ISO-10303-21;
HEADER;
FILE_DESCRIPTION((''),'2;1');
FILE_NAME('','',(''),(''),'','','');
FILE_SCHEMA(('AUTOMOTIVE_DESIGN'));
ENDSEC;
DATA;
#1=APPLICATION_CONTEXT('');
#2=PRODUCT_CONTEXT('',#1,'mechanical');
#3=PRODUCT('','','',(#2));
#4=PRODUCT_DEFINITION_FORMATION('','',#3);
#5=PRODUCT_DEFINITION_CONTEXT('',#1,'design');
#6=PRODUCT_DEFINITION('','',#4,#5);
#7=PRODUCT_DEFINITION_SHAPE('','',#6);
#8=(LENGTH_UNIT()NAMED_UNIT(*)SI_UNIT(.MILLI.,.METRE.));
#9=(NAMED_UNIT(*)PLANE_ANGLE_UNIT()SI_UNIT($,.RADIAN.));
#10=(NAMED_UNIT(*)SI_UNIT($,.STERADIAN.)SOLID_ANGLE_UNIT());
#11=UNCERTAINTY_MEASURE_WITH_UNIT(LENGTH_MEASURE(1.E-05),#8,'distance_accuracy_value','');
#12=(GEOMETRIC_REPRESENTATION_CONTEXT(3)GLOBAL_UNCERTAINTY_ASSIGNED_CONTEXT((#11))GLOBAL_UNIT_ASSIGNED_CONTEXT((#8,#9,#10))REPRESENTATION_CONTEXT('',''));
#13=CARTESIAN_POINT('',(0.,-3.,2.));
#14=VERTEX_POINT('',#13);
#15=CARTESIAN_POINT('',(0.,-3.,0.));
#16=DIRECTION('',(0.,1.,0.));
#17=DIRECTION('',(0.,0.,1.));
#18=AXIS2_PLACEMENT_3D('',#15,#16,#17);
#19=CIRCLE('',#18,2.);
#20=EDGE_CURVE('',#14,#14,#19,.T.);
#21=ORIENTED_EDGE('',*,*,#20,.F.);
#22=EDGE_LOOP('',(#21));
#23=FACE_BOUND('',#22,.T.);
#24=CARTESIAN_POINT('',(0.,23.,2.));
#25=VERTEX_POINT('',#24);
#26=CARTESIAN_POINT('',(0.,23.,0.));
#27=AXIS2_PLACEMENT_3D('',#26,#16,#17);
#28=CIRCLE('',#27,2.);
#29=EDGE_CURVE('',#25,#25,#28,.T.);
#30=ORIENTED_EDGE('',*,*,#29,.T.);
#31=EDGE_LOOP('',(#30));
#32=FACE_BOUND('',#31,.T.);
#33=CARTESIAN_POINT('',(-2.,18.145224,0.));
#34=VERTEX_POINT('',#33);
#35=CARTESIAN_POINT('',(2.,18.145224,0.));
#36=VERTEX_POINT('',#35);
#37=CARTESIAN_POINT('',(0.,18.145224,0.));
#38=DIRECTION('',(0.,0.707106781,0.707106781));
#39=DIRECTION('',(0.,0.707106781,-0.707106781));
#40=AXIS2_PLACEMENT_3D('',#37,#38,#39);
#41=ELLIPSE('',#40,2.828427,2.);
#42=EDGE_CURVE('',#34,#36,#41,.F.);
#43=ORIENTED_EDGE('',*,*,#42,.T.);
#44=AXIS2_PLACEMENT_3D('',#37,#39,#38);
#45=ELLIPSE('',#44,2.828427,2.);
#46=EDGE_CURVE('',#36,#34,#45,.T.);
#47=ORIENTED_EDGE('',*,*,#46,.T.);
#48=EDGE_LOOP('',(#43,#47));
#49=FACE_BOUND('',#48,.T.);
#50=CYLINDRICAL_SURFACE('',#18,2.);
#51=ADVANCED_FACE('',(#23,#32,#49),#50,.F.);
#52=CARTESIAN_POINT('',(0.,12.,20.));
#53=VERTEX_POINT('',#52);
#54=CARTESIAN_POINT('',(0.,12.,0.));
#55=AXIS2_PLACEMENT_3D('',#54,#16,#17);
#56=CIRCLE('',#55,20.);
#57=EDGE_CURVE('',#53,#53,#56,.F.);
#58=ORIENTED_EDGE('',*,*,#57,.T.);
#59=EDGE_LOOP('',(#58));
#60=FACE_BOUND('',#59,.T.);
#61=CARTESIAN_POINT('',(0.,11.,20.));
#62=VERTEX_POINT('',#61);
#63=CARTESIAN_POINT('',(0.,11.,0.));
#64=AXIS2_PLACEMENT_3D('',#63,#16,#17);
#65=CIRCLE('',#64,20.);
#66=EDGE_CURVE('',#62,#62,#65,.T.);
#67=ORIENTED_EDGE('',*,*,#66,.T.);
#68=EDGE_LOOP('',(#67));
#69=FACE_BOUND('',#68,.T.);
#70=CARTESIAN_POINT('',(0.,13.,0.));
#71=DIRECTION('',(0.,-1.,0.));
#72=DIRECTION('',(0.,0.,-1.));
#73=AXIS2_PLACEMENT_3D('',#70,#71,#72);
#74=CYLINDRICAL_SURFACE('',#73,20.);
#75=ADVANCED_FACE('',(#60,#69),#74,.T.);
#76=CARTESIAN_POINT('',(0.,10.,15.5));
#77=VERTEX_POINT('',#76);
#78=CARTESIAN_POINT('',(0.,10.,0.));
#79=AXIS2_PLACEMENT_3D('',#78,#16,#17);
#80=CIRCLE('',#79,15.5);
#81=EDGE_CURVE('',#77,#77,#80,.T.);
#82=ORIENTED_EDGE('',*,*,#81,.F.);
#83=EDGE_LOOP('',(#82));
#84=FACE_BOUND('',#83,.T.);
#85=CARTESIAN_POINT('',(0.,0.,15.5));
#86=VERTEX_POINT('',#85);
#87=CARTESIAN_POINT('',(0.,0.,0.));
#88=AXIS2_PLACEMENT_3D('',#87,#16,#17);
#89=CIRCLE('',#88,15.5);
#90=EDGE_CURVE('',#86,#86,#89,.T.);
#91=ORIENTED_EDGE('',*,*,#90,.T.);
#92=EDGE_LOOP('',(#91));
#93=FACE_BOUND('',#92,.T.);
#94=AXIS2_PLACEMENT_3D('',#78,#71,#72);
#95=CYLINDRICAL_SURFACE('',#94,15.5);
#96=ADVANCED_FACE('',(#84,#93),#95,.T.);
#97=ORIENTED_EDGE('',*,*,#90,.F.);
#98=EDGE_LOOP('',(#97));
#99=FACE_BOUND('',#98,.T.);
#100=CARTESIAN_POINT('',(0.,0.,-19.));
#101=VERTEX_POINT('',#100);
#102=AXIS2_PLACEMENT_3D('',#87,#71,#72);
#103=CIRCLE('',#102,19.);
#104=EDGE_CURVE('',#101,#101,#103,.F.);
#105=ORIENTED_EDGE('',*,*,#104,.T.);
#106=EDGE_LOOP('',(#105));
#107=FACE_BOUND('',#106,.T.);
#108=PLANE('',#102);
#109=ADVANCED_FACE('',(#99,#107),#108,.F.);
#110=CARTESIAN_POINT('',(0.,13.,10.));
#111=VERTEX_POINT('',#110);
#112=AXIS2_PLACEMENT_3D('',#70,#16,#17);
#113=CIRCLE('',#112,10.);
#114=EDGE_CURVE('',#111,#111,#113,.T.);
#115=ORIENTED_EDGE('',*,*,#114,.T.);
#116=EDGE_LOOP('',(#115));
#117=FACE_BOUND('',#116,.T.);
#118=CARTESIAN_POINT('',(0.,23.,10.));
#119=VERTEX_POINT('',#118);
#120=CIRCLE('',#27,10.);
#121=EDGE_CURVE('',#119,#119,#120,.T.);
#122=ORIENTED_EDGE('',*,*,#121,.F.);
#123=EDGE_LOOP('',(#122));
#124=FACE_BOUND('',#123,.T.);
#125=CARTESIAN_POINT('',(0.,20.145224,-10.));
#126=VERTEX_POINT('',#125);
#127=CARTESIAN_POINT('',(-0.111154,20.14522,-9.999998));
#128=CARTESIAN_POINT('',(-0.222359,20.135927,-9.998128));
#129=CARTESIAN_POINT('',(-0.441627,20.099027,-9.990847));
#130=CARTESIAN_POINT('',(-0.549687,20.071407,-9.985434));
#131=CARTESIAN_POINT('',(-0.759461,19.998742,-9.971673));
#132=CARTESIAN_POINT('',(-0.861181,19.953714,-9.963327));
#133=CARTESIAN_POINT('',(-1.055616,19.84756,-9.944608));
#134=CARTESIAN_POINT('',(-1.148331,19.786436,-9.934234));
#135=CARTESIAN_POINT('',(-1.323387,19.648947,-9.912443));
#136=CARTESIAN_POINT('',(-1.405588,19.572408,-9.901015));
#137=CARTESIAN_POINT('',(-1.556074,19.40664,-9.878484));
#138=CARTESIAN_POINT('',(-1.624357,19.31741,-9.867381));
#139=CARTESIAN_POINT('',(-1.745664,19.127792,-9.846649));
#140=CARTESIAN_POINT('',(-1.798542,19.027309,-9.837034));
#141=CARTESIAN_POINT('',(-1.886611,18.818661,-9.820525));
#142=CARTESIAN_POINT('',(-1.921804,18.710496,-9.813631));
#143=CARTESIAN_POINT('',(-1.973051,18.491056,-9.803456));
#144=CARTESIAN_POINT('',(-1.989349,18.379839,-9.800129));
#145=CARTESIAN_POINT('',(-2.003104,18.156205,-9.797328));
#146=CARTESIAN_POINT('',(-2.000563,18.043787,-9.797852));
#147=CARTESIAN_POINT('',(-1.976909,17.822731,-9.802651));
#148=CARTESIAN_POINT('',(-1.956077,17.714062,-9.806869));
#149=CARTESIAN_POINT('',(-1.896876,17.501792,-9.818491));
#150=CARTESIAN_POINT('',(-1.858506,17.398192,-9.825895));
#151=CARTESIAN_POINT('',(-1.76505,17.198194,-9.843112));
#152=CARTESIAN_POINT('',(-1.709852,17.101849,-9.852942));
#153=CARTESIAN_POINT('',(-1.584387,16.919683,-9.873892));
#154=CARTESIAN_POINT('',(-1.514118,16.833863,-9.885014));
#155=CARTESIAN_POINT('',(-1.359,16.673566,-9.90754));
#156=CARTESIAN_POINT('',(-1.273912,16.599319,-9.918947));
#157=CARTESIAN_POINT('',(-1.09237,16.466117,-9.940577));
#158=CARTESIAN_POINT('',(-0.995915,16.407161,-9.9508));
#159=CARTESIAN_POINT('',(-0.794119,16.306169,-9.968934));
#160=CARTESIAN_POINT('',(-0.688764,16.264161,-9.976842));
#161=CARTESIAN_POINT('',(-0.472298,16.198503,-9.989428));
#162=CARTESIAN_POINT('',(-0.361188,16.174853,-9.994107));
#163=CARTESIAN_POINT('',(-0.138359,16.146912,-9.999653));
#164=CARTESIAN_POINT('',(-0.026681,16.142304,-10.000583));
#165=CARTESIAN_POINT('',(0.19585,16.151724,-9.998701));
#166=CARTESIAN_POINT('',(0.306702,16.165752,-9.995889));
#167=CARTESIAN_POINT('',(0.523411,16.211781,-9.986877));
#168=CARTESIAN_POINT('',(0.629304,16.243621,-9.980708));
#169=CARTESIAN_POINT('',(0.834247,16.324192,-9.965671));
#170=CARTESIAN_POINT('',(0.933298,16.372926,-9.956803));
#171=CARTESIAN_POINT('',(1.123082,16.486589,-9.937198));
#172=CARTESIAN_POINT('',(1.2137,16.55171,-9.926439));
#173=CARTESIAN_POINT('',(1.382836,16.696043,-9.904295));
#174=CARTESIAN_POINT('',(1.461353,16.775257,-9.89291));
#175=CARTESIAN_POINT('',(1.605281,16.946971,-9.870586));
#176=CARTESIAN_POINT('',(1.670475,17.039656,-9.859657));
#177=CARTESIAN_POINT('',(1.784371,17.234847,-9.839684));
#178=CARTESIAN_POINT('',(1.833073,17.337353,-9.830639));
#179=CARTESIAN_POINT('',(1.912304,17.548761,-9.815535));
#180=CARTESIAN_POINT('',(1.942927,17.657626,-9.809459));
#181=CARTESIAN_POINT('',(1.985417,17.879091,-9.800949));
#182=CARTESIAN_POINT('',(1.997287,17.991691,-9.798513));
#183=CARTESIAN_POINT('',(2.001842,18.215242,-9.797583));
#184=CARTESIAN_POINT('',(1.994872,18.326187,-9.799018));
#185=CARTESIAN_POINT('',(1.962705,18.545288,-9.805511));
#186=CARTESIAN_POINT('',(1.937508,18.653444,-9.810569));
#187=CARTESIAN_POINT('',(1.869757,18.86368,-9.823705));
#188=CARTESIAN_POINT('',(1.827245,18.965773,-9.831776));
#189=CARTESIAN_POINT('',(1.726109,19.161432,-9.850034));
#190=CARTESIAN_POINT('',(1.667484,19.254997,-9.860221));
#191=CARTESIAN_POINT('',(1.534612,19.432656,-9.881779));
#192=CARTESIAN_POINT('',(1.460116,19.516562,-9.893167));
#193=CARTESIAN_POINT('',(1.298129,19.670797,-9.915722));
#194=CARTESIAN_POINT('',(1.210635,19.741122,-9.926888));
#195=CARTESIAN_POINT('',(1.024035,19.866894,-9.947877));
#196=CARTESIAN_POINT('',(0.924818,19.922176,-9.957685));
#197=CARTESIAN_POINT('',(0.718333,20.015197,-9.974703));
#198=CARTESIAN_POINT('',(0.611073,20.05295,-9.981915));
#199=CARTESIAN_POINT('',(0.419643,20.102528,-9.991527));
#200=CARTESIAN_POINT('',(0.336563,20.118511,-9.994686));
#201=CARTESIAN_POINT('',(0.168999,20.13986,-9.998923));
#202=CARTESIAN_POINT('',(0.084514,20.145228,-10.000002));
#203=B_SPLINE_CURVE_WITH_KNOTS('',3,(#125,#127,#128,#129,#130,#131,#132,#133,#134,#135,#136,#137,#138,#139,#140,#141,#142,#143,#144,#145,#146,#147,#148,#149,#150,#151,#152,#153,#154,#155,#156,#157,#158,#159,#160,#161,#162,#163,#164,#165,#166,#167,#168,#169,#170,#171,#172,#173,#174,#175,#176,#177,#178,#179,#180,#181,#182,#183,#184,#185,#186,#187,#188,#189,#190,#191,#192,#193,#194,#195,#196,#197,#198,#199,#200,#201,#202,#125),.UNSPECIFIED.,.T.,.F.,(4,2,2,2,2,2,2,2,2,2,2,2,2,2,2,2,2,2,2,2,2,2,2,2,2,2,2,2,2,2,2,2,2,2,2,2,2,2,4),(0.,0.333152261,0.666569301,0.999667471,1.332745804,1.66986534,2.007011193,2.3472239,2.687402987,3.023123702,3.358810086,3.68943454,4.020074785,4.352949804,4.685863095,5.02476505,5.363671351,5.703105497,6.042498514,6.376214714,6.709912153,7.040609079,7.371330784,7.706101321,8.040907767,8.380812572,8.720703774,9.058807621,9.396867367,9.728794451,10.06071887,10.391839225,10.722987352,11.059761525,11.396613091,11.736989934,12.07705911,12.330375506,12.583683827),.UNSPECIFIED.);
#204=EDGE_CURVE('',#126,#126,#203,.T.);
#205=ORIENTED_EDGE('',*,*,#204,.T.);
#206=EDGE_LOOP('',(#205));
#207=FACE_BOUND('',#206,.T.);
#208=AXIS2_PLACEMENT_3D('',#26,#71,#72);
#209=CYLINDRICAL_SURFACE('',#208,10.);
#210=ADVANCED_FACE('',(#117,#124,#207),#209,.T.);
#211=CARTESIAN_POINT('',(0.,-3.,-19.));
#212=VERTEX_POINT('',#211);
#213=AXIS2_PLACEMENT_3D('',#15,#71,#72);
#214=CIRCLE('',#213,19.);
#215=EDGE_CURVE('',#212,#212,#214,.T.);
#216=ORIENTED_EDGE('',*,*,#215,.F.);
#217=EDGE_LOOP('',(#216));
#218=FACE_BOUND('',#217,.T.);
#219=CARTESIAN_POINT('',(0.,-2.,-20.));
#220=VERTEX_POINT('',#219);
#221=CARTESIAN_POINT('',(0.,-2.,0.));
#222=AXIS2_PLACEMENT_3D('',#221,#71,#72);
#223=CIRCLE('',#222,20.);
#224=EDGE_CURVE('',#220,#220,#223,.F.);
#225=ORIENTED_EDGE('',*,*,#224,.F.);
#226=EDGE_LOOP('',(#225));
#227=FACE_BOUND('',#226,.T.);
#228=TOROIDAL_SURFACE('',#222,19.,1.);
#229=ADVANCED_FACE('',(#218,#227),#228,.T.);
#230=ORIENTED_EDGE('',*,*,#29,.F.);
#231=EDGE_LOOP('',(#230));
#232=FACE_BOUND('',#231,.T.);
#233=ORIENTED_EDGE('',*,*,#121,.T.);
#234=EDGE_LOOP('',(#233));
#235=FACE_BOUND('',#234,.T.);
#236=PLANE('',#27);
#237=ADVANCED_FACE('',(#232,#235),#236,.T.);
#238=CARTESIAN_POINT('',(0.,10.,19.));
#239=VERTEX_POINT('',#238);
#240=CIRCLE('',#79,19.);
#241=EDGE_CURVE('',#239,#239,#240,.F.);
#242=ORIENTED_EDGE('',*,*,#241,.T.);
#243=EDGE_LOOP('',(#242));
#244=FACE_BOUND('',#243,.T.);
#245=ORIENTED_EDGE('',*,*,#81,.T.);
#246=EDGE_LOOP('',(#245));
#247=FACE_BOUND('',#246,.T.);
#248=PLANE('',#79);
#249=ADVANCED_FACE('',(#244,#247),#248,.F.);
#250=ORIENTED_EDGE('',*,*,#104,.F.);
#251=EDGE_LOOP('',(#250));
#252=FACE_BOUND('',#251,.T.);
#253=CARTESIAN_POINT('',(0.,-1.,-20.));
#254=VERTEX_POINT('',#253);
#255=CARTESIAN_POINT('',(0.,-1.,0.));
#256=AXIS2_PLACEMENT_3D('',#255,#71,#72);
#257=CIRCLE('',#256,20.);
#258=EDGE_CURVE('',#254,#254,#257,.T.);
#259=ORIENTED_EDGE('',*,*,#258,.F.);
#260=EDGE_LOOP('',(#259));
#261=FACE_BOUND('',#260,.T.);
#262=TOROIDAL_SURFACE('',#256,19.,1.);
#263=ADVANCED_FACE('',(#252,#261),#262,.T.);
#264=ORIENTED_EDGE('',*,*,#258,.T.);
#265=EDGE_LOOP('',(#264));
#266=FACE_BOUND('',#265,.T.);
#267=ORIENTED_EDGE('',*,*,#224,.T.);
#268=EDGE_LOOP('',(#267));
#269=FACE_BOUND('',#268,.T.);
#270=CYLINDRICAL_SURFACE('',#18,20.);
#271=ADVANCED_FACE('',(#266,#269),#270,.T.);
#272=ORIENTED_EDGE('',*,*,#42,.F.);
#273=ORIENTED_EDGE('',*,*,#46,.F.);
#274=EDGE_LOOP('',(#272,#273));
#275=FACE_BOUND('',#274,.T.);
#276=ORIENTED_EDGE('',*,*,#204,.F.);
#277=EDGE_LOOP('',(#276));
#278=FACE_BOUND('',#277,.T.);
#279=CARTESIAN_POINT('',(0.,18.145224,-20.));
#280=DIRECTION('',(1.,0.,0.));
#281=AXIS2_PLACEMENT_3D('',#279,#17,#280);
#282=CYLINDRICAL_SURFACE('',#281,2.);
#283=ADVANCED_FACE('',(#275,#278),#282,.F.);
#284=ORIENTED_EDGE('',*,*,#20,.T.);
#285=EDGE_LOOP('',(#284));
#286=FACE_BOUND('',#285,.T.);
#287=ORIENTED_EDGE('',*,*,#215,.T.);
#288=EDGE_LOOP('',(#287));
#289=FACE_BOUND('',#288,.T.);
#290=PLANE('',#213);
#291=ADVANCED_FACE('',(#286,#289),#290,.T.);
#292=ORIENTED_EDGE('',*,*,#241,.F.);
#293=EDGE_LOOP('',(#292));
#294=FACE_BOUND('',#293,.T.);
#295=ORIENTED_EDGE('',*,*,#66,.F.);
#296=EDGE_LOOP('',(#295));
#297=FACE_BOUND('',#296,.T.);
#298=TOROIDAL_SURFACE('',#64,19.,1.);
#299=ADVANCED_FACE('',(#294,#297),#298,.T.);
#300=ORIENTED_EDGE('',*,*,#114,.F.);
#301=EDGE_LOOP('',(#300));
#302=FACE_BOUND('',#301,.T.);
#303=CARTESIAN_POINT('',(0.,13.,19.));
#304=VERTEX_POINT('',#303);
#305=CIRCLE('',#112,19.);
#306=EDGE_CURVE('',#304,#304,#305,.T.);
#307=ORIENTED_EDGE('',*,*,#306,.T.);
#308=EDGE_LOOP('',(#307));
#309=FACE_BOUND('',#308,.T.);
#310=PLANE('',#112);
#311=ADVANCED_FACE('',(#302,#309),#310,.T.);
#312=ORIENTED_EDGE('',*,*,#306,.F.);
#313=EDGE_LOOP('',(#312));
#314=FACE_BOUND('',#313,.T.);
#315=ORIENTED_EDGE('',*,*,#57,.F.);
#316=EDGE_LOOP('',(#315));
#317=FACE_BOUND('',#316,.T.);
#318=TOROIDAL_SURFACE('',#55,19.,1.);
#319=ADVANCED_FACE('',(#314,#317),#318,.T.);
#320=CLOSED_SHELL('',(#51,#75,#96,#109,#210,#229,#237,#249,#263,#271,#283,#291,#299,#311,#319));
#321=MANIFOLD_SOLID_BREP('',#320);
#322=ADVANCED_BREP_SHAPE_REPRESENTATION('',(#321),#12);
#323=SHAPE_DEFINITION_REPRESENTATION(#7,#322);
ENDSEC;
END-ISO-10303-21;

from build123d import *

# Parameters (mm, degrees)
SKETCH_1_R          = 15.5
EXTRUDE_1_DEPTH     = 10
SKETCH_2_R          = 20
EXTRUDE_2_DEPTH     = 3
EXTRUDE_START       = 3
SKETCH_3_R          = 20
EXTRUDE_3_DEPTH     = 3
FILLET_2_R          = 1
SKETCH_4_R          = 2
CUT_EXTRUDE_1_DEPTH = 33.49615368
EXTRUDE_START_2     = 10
SKETCH_5_R          = 10
SKETCH_5_R_2        = 2
EXTRUDE_4_DEPTH     = 10
SKETCH_6_R          = 2
CUT_EXTRUDE_2_DEPTH = 37.455452322


with BuildPart() as part:
    # 草图1 → 凸台-拉伸1 (new body)
    with BuildSketch(Plane(origin=(0, 0, 0), x_dir=(1, 0, 0), z_dir=(0, 1, 0))):
        with Locations(Location((0, 0, 0), (0, 0, 270))):
            Circle(SKETCH_1_R)
    extrude(amount=EXTRUDE_1_DEPTH)

    # 草图2 → 凸台-拉伸2 (add)
    with BuildSketch(Plane(origin=(0, 10, 0), x_dir=(1, 0, 0), z_dir=(0, 1, 0))):
        with Locations(Location((0, 0, 0), (0, 0, 270))):
            Circle(SKETCH_2_R)
    extrude(amount=EXTRUDE_2_DEPTH)

    # 草图3 → 凸台-拉伸3 (add)
    with BuildSketch(Plane.XZ.offset(EXTRUDE_START)):
        with Locations(Location((0, 0, 0), (0, 0, 90))):
            Circle(SKETCH_3_R)
    extrude(amount=-EXTRUDE_3_DEPTH)

    # 圆角2
    fillet_2_edges = [part.edges().sort_by_distance(p)[0] for p in [
        (0, -3, -20),
        (0, 10, -20),
        (0, 13, -20),
        (0, 0, -20),
    ]]
    fillet(fillet_2_edges, radius=FILLET_2_R)

    # 草图4 → 切除-拉伸1 (cut, through all)
    with BuildSketch(Plane(origin=(0, 13, 0), x_dir=(1, 0, 0), z_dir=(0, 1, 0))):
        with Locations(Location((0, 0, 0), (0, 0, 270))):
            Circle(SKETCH_4_R)
    extrude(amount=-CUT_EXTRUDE_1_DEPTH, mode=Mode.SUBTRACT)

    # 草图5 → 凸台-拉伸4 (add)
    with BuildSketch(Plane(origin=(0, 13, 0), x_dir=(1, 0, 0), z_dir=(0, 1, 0)).offset(EXTRUDE_START_2)):
        with Locations(Location((0, 0, 0), (0, 0, 270))):
            Circle(SKETCH_5_R)
        with Locations(Location((0, 0, 0), (0, 0, 270))):
            Circle(SKETCH_5_R_2, mode=Mode.SUBTRACT)
    extrude(amount=-EXTRUDE_4_DEPTH)

    # 草图6 → 切除-拉伸2 (cut, through all)
    with BuildSketch(Plane.XY):
        with Locations((0, 18.145224443)):
            Circle(SKETCH_6_R)
    extrude(amount=-CUT_EXTRUDE_2_DEPTH, mode=Mode.SUBTRACT)


solid = part.part
